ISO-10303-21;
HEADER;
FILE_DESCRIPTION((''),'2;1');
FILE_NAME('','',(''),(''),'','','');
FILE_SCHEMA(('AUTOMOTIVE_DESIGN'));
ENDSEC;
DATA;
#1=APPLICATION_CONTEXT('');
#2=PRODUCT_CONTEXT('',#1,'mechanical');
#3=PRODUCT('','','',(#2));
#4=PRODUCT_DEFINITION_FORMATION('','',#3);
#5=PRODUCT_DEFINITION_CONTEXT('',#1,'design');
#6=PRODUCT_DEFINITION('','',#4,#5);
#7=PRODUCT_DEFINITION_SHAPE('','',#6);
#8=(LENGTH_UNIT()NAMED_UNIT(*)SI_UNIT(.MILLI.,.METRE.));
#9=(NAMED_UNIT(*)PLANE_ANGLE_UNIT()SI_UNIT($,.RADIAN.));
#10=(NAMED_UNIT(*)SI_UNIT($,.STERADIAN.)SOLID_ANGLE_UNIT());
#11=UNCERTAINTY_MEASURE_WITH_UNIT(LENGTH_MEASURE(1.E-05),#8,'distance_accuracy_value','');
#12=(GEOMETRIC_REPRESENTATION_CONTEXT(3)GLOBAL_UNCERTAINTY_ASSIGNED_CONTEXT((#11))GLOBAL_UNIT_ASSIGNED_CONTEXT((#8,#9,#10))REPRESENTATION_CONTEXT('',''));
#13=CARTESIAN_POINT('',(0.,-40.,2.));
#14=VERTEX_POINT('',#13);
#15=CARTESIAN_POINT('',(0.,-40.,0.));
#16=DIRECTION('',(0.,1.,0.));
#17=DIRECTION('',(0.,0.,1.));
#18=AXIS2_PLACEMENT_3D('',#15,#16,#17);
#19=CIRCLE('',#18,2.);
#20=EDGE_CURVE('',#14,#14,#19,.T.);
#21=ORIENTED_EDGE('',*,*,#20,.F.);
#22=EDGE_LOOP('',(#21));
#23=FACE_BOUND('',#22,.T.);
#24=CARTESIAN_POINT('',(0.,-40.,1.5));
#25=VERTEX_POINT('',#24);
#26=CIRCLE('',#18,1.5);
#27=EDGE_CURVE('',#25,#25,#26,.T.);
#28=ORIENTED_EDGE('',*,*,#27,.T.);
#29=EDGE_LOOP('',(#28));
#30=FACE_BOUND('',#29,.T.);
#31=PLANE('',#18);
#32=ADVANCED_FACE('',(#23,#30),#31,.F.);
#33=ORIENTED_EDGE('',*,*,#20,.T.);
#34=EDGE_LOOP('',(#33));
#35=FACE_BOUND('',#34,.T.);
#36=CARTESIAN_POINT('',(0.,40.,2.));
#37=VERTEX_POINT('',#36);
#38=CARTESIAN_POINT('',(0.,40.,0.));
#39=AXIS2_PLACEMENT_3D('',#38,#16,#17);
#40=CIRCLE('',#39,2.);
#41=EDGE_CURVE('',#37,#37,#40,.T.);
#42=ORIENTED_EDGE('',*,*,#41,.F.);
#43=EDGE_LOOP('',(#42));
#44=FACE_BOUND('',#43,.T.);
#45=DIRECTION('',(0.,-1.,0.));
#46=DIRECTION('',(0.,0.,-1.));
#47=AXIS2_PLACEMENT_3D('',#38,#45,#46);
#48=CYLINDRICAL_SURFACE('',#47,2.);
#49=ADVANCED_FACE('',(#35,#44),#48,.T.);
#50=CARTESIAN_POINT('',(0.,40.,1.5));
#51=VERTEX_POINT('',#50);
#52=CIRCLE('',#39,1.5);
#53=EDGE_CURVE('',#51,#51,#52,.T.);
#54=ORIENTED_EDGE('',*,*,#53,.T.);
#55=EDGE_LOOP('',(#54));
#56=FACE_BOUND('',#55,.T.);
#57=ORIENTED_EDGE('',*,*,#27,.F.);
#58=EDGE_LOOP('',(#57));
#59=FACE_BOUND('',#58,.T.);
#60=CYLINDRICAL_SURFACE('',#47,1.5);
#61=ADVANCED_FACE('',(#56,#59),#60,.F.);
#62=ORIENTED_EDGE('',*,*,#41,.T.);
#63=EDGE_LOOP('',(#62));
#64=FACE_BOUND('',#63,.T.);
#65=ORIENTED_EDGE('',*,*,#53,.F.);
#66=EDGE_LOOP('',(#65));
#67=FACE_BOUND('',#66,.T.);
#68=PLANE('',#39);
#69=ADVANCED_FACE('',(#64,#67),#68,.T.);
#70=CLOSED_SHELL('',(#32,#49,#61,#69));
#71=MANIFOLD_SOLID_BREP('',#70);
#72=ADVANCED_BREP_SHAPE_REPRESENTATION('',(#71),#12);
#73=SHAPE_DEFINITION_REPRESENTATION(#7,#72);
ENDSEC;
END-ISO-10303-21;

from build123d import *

# Parameters (mm, degrees)
SKETCH1_R           = 2
SKETCH1_R_2         = 1.5
BOSS_EXTRUDE1_DEPTH = 40


with BuildPart() as part:
    # Sketch1 → Boss-Extrude1 (new body, symmetric)
    with BuildSketch(Plane(origin=(0, 0, 0), x_dir=(1, 0, 0), z_dir=(0, 1, 0))):
        Circle(SKETCH1_R)
        Circle(SKETCH1_R_2, mode=Mode.SUBTRACT)
    extrude(amount=BOSS_EXTRUDE1_DEPTH, both=True)


solid = part.part
